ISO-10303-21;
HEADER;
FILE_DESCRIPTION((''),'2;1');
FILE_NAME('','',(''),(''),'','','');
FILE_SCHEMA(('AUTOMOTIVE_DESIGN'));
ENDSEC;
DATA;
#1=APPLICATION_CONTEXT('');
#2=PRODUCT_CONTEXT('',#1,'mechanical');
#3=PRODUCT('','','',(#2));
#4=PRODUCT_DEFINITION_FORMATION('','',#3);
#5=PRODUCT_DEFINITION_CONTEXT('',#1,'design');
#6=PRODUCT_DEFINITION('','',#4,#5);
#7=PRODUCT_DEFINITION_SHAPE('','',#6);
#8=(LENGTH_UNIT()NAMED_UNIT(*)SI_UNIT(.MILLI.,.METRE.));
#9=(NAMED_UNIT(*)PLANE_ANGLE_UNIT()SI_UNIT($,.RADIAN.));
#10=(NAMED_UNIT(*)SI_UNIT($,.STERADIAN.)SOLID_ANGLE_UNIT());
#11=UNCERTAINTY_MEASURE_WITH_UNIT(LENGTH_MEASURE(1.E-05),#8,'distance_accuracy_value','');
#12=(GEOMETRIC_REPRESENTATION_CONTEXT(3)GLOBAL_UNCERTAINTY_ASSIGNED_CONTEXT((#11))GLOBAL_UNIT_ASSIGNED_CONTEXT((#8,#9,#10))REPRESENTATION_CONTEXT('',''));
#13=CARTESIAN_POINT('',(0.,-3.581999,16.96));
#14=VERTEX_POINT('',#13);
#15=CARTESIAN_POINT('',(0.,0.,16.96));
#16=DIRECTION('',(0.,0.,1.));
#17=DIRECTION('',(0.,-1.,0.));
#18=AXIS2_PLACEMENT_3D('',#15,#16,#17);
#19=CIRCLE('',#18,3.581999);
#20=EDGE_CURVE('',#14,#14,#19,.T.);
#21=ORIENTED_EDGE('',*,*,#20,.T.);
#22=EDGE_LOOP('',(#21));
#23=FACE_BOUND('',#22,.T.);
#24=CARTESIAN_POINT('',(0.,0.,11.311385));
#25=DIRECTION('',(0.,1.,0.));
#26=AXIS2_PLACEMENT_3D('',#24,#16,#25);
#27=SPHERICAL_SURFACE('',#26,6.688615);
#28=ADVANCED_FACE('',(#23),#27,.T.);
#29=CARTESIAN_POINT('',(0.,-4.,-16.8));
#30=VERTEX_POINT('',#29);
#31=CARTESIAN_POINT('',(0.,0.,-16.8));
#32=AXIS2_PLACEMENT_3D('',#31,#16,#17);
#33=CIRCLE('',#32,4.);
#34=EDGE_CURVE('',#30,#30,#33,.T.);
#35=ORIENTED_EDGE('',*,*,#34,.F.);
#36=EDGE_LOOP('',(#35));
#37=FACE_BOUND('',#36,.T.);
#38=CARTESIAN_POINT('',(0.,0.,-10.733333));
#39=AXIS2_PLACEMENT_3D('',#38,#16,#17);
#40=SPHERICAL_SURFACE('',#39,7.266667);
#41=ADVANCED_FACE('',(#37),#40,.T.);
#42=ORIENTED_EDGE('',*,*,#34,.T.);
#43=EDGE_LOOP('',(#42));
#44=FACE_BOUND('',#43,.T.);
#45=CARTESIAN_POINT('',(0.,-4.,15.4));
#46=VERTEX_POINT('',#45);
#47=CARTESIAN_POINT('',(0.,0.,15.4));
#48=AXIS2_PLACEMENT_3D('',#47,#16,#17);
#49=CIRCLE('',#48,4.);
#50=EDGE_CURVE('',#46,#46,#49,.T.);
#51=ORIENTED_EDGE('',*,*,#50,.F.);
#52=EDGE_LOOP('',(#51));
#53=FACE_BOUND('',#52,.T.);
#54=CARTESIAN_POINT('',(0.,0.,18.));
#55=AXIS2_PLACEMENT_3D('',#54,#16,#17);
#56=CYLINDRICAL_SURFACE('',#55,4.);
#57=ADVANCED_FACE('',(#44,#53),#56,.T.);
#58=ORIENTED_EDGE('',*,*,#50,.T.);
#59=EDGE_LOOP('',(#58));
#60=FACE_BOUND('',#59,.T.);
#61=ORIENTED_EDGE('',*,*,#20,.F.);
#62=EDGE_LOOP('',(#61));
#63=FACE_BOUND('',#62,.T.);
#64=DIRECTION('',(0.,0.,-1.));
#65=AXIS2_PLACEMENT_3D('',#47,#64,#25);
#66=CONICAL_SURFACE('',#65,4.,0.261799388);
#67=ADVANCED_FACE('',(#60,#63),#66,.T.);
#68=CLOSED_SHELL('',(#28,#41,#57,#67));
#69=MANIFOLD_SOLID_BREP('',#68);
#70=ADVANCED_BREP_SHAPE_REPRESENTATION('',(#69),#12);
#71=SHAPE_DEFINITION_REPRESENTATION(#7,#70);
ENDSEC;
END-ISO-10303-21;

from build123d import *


with BuildPart() as part:
    # Sketch3 → Revolve1 (revolve)
    with BuildSketch(Plane(origin=(0, 0, 0), x_dir=(0, 0, -1), z_dir=(1, 0, 0))):
        with BuildLine():
            Line((-18, 0), (18, 0))
            ThreePointArc((18, 0), (17.693537673, 2.088061302), (16.8, 4))
            Line((16.8, 4), (-15.4, 4))
            Line((-15.4, 4), (-16.96, 3.58199926))
            ThreePointArc((-16.96, 3.58199926), (-17.734740106, 1.864961038), (-18, 0))
        make_face()
    revolve(axis=Axis((0, 0, 18), (0, 0, -1)))


solid = part.part
